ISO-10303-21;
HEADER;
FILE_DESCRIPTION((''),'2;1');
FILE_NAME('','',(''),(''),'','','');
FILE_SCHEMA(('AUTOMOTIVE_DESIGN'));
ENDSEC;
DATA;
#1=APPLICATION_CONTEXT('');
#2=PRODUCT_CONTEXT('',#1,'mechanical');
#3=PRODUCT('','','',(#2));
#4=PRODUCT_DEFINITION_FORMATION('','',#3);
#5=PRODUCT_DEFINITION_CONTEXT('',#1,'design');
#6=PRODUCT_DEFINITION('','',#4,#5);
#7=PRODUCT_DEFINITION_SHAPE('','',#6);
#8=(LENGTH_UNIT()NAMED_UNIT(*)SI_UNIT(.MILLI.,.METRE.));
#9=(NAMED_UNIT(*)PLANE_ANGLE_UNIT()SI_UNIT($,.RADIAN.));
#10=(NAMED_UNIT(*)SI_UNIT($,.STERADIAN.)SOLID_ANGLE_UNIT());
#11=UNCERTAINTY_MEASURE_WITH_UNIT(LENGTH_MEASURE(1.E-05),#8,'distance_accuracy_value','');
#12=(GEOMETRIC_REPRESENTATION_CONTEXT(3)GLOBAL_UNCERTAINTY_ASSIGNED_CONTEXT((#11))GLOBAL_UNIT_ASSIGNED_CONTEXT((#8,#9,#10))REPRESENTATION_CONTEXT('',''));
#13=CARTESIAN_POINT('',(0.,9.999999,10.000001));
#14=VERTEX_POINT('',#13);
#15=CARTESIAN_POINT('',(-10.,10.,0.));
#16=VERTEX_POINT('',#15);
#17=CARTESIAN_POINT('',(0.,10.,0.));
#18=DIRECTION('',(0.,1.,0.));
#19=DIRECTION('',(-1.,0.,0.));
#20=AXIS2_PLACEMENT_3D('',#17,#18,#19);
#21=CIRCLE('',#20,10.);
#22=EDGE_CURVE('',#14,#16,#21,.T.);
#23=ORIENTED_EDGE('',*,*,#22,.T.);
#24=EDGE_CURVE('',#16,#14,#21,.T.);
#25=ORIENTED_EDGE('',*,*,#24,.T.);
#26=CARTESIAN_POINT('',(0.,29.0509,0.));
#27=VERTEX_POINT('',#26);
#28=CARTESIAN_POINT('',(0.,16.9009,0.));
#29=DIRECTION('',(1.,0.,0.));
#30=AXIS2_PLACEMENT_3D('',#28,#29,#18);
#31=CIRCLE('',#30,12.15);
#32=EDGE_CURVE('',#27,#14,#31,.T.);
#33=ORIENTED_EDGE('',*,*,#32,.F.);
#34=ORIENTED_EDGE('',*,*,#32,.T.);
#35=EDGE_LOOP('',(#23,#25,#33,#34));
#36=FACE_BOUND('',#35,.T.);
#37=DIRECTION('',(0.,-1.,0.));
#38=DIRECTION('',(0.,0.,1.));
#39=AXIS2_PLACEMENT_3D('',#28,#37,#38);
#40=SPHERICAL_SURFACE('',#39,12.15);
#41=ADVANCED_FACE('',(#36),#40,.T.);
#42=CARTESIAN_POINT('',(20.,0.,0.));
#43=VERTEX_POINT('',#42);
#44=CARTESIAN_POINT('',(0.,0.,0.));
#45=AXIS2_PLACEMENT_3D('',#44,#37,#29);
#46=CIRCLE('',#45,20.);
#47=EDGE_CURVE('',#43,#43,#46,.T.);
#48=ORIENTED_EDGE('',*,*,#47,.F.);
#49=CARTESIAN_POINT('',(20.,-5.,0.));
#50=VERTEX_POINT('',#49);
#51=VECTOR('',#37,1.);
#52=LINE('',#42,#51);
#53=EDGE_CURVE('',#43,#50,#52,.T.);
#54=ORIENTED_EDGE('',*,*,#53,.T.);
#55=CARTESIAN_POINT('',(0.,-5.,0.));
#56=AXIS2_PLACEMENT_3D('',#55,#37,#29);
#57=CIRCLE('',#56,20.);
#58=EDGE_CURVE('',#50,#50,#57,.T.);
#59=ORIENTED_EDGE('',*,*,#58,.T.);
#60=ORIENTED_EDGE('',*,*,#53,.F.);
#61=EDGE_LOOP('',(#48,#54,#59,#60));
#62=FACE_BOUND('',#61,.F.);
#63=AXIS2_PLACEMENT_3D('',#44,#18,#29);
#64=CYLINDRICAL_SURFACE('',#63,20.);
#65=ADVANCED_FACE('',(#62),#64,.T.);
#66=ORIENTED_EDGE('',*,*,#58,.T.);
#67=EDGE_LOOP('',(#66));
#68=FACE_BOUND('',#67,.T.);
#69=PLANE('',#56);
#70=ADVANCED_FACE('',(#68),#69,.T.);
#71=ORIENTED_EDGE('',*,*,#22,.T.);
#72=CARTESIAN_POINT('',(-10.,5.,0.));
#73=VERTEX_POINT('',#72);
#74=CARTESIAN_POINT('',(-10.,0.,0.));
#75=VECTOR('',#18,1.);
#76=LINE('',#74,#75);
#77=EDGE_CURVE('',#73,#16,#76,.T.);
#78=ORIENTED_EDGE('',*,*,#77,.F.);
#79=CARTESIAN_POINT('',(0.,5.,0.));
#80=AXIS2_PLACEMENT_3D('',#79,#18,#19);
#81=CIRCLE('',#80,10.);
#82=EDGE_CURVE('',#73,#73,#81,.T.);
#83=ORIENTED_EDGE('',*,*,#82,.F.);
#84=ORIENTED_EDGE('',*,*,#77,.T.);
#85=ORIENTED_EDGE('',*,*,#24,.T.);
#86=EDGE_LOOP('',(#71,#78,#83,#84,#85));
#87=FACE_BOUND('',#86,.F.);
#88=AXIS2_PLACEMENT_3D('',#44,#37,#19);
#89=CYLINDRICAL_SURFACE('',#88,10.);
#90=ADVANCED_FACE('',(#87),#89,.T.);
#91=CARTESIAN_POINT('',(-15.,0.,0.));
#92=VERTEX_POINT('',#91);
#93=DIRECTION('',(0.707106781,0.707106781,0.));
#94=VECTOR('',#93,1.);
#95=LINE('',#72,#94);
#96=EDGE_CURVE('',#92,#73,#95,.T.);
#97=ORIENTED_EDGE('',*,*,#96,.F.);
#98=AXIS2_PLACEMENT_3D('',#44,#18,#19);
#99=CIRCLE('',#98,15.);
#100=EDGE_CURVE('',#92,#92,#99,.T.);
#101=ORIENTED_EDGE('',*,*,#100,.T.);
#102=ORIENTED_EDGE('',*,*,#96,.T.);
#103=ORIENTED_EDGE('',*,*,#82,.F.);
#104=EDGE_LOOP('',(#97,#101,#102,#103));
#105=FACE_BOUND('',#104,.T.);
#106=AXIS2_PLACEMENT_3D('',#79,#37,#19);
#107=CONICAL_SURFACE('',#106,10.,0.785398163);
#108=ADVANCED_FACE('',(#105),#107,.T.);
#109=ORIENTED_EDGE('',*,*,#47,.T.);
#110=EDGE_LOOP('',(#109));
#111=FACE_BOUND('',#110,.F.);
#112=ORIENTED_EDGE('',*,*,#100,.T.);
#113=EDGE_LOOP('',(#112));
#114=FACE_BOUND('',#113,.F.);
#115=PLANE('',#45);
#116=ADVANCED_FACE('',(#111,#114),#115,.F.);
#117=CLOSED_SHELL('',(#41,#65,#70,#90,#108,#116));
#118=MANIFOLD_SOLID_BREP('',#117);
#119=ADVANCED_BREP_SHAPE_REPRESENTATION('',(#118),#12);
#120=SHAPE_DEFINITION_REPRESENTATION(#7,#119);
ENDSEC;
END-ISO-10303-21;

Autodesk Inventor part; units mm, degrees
ref_plane "YZ Plane" through (0, 0, 0) normal (1, 0, 0) x (0, 1, 0)
ref_plane "XZ Plane" through (0, 0, 0) normal (0, 1, 0) x (-1, 0, 0)
ref_plane "XY Plane" through (0, 0, 0) normal (0, 0, 1) x (1, 0, 0)
sketch "Sketch1" plane through (0, 0, 0) normal (0, 1, 0) x (-1, 0, 0)
  circle A0 centre (0, 0) radius 10
  dimension "d0" = 20
extrude "Extrusion1" add sketch "Sketch1" along normal blind 10
sketch "Sketch2" plane through (0, 0, 0) normal (1, 0, 0) x (0, 1, 0)
  line L0 (10, -10) -> (10, 10) projected
  line L1 (10, 0) -> (10, 12)
  line L2 (10, 0) -> (10, -12)
  circle A0 centre (10, -10) radius 12.15
  circle A1 centre (10, 10) radius 12.15
  circle A2 centre (16.9009, 0) radius 12.15
  line L3 (30.6793, 0) -> (0, 0)
  point P0 (29.0509, 0)
  point P1 (4.7509, 0)
  dimension "d5" = 24.3
  dimension "d6" = 24.3
  dimension "d3" = 12
  dimension "d4" = 12
  dimension "d7" = 24.3
revolve "Revolution1" add sketch "Sketch2" angle 360 about axis through (0, 30.6793, 0) along (0, -1, 0) picked at (16.7279, 5.8245) picked at (22.9675, 2.0985) contours L3 A2 A0 L0 | L0 A0 L3 | A0 L0 A2 A1 | A1 A2 L3 | A0 A2 L0
sketch "Sketch3" plane through (0, 0, 0) normal (0, -1, 0) x (1, 0, 0)
  circle A0 centre (0, 0) radius 20
  dimension "d9" = 40
extrude "Extrusion2" add sketch "Sketch3" along normal blind 5
chamfer "Chamfer1" distance 5 angle 45 1 edges at (10, 0, 0)
properties part number "Foot Swivel"
